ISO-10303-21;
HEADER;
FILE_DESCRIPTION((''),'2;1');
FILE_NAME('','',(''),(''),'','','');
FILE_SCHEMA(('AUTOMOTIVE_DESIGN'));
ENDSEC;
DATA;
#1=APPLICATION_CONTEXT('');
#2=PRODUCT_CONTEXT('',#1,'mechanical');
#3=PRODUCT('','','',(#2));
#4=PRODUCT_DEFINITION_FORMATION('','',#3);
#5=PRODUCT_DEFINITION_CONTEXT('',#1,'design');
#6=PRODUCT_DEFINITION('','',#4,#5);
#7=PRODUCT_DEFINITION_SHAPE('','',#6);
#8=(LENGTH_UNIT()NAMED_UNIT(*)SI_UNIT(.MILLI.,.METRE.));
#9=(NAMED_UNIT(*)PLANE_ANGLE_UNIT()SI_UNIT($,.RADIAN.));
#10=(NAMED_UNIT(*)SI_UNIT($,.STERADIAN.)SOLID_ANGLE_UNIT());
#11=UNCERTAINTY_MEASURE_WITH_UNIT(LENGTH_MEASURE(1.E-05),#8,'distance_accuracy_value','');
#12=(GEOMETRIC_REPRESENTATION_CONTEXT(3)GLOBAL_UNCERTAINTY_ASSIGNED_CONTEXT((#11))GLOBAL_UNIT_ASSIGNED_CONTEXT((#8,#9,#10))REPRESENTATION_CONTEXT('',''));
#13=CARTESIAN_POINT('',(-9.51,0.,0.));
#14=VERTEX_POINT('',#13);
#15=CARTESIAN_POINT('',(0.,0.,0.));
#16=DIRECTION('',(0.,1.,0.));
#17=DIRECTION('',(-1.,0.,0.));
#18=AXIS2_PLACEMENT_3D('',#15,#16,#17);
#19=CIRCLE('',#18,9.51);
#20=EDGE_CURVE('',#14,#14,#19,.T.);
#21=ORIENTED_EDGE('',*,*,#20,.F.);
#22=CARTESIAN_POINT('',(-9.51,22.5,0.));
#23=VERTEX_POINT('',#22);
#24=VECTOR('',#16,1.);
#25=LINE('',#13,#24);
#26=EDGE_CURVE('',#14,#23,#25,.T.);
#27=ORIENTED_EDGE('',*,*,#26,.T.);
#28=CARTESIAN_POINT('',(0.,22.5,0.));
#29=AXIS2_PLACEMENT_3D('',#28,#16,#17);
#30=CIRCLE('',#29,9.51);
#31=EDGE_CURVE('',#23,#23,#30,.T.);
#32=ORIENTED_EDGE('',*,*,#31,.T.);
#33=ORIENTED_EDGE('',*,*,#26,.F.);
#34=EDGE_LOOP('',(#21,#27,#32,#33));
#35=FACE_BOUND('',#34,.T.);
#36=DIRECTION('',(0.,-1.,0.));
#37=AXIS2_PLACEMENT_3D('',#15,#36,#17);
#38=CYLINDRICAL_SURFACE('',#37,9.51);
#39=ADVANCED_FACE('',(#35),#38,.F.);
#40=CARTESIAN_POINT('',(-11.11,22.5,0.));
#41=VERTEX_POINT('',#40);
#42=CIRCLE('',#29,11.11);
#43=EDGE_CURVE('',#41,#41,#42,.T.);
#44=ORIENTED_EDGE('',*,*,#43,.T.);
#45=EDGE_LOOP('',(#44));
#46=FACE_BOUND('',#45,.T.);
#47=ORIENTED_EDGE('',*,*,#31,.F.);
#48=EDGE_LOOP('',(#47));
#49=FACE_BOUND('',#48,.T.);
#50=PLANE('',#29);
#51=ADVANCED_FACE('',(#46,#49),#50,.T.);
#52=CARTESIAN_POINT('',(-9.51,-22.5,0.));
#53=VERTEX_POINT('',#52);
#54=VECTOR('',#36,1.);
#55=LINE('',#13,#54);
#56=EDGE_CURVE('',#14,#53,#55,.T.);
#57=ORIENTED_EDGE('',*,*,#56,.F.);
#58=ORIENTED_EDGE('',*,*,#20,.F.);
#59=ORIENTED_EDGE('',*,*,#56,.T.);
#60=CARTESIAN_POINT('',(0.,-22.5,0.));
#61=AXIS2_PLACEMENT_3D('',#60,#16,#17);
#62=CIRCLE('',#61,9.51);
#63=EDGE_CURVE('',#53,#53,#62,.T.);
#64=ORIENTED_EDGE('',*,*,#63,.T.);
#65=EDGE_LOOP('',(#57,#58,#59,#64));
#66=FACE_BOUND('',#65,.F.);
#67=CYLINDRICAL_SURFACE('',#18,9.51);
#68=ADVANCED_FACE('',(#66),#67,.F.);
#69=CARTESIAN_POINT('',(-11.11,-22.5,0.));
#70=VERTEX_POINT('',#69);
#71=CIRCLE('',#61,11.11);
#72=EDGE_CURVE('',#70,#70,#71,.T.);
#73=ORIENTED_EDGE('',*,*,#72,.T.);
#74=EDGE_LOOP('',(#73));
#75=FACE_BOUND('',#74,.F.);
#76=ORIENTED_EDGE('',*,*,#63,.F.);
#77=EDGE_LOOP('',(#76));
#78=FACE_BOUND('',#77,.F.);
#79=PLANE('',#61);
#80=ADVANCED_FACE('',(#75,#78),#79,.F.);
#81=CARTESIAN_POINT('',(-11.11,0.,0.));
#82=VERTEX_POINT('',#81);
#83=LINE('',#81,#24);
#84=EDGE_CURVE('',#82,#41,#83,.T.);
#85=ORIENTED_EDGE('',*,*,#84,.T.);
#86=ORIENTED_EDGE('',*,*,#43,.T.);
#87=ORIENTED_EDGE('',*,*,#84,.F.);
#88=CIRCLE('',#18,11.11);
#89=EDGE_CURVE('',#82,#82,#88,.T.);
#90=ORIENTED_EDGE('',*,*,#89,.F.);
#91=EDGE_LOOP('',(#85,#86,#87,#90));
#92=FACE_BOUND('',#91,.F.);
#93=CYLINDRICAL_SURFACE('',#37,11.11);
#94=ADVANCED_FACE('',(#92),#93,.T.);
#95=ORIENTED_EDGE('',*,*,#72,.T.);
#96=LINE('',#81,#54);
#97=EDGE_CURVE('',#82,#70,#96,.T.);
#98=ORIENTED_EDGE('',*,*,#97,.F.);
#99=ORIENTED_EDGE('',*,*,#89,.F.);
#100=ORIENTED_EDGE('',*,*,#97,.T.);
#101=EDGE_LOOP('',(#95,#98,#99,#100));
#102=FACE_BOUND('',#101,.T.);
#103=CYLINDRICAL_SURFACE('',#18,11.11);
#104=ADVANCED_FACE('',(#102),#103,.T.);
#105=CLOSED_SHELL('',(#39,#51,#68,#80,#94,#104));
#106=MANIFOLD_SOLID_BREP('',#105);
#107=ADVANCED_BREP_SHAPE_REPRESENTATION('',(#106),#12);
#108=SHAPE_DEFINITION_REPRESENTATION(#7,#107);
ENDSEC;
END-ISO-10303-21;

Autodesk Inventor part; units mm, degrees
ref_plane "YZ Plane" through (0, 0, 0) normal (1, 0, 0) x (0, 1, 0)
ref_plane "XZ Plane" through (0, 0, 0) normal (0, 1, 0) x (-1, 0, 0)
ref_plane "XY Plane" through (0, 0, 0) normal (0, 0, 1) x (1, 0, 0)
sketch "Sketch1" plane through (0, 0, 0) normal (0, 1, 0) x (-1, 0, 0)
  circle A0 centre (0, 0) radius 11.11
  circle A1 centre (0, 0) radius 9.51
  dimension "d0" = 22.22
  dimension "d1" = 19.02
  dimension "d2" = 1.6
extrude "Extrusion1" add sketch "Sketch1" along normal mid plane 45
properties part number "buje"
